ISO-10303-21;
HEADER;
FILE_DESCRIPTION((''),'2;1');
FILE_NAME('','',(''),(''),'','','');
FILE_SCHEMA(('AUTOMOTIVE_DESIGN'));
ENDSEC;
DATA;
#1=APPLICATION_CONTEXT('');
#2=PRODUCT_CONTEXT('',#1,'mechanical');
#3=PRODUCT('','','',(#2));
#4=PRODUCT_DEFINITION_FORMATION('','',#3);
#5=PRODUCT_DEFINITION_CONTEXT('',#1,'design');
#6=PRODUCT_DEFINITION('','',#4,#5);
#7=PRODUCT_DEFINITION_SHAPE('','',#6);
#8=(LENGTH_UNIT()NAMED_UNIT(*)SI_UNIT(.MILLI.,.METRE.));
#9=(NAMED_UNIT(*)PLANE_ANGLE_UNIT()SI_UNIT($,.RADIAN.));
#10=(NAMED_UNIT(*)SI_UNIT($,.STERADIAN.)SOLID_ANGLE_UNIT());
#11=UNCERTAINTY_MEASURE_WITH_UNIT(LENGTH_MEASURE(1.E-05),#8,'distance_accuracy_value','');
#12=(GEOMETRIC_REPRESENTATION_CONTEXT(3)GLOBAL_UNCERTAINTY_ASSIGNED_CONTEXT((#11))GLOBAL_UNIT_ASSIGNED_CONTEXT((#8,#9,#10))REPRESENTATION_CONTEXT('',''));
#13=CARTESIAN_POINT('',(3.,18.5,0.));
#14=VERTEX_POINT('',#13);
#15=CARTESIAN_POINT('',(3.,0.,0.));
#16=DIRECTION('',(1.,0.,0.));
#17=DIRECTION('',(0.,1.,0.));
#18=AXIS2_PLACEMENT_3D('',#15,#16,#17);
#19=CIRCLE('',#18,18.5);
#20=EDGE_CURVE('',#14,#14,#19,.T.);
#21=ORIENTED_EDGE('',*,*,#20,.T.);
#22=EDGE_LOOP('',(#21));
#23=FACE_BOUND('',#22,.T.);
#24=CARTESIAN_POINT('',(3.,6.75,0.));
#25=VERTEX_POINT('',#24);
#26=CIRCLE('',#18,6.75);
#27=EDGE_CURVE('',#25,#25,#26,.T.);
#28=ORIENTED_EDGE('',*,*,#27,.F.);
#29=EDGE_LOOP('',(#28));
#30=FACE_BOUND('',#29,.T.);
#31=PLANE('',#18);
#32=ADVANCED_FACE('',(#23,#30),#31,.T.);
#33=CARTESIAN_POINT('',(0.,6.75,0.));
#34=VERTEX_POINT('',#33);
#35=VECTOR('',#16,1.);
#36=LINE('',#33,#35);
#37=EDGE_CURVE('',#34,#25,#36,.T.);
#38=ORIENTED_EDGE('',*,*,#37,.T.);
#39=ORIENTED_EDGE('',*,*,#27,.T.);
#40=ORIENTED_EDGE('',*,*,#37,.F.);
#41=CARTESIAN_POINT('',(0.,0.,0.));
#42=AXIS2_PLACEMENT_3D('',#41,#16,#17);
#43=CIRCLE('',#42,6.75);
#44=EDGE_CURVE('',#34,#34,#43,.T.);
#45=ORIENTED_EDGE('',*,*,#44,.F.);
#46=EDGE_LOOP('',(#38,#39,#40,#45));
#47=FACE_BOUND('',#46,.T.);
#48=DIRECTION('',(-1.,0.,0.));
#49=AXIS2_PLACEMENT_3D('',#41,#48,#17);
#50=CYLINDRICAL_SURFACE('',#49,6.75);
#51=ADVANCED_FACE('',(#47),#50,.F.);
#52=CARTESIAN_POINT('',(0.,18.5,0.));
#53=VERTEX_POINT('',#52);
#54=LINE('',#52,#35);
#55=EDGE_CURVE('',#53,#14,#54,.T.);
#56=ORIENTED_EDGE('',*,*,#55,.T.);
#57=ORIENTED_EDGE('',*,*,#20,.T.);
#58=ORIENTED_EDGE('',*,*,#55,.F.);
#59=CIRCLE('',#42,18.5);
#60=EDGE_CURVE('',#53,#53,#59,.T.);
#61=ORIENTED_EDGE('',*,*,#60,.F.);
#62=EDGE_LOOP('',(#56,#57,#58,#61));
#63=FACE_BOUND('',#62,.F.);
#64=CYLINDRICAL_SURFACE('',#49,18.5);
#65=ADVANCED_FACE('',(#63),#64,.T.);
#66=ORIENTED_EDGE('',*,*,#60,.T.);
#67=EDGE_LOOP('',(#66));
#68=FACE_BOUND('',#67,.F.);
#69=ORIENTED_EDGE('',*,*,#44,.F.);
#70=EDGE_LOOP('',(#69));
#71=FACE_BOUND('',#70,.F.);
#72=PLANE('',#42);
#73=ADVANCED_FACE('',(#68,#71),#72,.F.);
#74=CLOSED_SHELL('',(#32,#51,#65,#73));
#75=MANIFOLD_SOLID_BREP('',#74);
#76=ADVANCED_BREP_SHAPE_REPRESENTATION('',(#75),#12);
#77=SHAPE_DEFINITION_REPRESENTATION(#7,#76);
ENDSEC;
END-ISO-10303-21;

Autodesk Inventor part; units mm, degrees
ref_plane "YZ Plane" through (0, 0, 0) normal (1, 0, 0) x (0, 1, 0)
ref_plane "XZ Plane" through (0, 0, 0) normal (0, 1, 0) x (-1, 0, 0)
sketch "Skizze" plane through (0, 0, 0) normal (1, 0, 0) x (0, 1, 0)
  circle A0 centre (0, 0) radius 18.5
  circle A1 centre (0, 0) radius 6.75
  dimension "d0" = 13.5
  dimension "d1" = 37
extrude "Körper" add sketch "Skizze" along normal blind 3
ref_plane "Work Plane1" through (0, 0, 0) normal (0, 0, 1) x (1, 0, 0)
equation "\"d0\" = SD1"
equation "\"d1\" = SD2"
equation "\"d2\" = SD"
equation "\"SD1\" = 13.5"
equation "\"SD2\" = 37"
equation "\"SD\" = 3"
equation "\"NND\" = 12"
properties part number "ISO 7093-2 - 12" material "Stahl, weich"
